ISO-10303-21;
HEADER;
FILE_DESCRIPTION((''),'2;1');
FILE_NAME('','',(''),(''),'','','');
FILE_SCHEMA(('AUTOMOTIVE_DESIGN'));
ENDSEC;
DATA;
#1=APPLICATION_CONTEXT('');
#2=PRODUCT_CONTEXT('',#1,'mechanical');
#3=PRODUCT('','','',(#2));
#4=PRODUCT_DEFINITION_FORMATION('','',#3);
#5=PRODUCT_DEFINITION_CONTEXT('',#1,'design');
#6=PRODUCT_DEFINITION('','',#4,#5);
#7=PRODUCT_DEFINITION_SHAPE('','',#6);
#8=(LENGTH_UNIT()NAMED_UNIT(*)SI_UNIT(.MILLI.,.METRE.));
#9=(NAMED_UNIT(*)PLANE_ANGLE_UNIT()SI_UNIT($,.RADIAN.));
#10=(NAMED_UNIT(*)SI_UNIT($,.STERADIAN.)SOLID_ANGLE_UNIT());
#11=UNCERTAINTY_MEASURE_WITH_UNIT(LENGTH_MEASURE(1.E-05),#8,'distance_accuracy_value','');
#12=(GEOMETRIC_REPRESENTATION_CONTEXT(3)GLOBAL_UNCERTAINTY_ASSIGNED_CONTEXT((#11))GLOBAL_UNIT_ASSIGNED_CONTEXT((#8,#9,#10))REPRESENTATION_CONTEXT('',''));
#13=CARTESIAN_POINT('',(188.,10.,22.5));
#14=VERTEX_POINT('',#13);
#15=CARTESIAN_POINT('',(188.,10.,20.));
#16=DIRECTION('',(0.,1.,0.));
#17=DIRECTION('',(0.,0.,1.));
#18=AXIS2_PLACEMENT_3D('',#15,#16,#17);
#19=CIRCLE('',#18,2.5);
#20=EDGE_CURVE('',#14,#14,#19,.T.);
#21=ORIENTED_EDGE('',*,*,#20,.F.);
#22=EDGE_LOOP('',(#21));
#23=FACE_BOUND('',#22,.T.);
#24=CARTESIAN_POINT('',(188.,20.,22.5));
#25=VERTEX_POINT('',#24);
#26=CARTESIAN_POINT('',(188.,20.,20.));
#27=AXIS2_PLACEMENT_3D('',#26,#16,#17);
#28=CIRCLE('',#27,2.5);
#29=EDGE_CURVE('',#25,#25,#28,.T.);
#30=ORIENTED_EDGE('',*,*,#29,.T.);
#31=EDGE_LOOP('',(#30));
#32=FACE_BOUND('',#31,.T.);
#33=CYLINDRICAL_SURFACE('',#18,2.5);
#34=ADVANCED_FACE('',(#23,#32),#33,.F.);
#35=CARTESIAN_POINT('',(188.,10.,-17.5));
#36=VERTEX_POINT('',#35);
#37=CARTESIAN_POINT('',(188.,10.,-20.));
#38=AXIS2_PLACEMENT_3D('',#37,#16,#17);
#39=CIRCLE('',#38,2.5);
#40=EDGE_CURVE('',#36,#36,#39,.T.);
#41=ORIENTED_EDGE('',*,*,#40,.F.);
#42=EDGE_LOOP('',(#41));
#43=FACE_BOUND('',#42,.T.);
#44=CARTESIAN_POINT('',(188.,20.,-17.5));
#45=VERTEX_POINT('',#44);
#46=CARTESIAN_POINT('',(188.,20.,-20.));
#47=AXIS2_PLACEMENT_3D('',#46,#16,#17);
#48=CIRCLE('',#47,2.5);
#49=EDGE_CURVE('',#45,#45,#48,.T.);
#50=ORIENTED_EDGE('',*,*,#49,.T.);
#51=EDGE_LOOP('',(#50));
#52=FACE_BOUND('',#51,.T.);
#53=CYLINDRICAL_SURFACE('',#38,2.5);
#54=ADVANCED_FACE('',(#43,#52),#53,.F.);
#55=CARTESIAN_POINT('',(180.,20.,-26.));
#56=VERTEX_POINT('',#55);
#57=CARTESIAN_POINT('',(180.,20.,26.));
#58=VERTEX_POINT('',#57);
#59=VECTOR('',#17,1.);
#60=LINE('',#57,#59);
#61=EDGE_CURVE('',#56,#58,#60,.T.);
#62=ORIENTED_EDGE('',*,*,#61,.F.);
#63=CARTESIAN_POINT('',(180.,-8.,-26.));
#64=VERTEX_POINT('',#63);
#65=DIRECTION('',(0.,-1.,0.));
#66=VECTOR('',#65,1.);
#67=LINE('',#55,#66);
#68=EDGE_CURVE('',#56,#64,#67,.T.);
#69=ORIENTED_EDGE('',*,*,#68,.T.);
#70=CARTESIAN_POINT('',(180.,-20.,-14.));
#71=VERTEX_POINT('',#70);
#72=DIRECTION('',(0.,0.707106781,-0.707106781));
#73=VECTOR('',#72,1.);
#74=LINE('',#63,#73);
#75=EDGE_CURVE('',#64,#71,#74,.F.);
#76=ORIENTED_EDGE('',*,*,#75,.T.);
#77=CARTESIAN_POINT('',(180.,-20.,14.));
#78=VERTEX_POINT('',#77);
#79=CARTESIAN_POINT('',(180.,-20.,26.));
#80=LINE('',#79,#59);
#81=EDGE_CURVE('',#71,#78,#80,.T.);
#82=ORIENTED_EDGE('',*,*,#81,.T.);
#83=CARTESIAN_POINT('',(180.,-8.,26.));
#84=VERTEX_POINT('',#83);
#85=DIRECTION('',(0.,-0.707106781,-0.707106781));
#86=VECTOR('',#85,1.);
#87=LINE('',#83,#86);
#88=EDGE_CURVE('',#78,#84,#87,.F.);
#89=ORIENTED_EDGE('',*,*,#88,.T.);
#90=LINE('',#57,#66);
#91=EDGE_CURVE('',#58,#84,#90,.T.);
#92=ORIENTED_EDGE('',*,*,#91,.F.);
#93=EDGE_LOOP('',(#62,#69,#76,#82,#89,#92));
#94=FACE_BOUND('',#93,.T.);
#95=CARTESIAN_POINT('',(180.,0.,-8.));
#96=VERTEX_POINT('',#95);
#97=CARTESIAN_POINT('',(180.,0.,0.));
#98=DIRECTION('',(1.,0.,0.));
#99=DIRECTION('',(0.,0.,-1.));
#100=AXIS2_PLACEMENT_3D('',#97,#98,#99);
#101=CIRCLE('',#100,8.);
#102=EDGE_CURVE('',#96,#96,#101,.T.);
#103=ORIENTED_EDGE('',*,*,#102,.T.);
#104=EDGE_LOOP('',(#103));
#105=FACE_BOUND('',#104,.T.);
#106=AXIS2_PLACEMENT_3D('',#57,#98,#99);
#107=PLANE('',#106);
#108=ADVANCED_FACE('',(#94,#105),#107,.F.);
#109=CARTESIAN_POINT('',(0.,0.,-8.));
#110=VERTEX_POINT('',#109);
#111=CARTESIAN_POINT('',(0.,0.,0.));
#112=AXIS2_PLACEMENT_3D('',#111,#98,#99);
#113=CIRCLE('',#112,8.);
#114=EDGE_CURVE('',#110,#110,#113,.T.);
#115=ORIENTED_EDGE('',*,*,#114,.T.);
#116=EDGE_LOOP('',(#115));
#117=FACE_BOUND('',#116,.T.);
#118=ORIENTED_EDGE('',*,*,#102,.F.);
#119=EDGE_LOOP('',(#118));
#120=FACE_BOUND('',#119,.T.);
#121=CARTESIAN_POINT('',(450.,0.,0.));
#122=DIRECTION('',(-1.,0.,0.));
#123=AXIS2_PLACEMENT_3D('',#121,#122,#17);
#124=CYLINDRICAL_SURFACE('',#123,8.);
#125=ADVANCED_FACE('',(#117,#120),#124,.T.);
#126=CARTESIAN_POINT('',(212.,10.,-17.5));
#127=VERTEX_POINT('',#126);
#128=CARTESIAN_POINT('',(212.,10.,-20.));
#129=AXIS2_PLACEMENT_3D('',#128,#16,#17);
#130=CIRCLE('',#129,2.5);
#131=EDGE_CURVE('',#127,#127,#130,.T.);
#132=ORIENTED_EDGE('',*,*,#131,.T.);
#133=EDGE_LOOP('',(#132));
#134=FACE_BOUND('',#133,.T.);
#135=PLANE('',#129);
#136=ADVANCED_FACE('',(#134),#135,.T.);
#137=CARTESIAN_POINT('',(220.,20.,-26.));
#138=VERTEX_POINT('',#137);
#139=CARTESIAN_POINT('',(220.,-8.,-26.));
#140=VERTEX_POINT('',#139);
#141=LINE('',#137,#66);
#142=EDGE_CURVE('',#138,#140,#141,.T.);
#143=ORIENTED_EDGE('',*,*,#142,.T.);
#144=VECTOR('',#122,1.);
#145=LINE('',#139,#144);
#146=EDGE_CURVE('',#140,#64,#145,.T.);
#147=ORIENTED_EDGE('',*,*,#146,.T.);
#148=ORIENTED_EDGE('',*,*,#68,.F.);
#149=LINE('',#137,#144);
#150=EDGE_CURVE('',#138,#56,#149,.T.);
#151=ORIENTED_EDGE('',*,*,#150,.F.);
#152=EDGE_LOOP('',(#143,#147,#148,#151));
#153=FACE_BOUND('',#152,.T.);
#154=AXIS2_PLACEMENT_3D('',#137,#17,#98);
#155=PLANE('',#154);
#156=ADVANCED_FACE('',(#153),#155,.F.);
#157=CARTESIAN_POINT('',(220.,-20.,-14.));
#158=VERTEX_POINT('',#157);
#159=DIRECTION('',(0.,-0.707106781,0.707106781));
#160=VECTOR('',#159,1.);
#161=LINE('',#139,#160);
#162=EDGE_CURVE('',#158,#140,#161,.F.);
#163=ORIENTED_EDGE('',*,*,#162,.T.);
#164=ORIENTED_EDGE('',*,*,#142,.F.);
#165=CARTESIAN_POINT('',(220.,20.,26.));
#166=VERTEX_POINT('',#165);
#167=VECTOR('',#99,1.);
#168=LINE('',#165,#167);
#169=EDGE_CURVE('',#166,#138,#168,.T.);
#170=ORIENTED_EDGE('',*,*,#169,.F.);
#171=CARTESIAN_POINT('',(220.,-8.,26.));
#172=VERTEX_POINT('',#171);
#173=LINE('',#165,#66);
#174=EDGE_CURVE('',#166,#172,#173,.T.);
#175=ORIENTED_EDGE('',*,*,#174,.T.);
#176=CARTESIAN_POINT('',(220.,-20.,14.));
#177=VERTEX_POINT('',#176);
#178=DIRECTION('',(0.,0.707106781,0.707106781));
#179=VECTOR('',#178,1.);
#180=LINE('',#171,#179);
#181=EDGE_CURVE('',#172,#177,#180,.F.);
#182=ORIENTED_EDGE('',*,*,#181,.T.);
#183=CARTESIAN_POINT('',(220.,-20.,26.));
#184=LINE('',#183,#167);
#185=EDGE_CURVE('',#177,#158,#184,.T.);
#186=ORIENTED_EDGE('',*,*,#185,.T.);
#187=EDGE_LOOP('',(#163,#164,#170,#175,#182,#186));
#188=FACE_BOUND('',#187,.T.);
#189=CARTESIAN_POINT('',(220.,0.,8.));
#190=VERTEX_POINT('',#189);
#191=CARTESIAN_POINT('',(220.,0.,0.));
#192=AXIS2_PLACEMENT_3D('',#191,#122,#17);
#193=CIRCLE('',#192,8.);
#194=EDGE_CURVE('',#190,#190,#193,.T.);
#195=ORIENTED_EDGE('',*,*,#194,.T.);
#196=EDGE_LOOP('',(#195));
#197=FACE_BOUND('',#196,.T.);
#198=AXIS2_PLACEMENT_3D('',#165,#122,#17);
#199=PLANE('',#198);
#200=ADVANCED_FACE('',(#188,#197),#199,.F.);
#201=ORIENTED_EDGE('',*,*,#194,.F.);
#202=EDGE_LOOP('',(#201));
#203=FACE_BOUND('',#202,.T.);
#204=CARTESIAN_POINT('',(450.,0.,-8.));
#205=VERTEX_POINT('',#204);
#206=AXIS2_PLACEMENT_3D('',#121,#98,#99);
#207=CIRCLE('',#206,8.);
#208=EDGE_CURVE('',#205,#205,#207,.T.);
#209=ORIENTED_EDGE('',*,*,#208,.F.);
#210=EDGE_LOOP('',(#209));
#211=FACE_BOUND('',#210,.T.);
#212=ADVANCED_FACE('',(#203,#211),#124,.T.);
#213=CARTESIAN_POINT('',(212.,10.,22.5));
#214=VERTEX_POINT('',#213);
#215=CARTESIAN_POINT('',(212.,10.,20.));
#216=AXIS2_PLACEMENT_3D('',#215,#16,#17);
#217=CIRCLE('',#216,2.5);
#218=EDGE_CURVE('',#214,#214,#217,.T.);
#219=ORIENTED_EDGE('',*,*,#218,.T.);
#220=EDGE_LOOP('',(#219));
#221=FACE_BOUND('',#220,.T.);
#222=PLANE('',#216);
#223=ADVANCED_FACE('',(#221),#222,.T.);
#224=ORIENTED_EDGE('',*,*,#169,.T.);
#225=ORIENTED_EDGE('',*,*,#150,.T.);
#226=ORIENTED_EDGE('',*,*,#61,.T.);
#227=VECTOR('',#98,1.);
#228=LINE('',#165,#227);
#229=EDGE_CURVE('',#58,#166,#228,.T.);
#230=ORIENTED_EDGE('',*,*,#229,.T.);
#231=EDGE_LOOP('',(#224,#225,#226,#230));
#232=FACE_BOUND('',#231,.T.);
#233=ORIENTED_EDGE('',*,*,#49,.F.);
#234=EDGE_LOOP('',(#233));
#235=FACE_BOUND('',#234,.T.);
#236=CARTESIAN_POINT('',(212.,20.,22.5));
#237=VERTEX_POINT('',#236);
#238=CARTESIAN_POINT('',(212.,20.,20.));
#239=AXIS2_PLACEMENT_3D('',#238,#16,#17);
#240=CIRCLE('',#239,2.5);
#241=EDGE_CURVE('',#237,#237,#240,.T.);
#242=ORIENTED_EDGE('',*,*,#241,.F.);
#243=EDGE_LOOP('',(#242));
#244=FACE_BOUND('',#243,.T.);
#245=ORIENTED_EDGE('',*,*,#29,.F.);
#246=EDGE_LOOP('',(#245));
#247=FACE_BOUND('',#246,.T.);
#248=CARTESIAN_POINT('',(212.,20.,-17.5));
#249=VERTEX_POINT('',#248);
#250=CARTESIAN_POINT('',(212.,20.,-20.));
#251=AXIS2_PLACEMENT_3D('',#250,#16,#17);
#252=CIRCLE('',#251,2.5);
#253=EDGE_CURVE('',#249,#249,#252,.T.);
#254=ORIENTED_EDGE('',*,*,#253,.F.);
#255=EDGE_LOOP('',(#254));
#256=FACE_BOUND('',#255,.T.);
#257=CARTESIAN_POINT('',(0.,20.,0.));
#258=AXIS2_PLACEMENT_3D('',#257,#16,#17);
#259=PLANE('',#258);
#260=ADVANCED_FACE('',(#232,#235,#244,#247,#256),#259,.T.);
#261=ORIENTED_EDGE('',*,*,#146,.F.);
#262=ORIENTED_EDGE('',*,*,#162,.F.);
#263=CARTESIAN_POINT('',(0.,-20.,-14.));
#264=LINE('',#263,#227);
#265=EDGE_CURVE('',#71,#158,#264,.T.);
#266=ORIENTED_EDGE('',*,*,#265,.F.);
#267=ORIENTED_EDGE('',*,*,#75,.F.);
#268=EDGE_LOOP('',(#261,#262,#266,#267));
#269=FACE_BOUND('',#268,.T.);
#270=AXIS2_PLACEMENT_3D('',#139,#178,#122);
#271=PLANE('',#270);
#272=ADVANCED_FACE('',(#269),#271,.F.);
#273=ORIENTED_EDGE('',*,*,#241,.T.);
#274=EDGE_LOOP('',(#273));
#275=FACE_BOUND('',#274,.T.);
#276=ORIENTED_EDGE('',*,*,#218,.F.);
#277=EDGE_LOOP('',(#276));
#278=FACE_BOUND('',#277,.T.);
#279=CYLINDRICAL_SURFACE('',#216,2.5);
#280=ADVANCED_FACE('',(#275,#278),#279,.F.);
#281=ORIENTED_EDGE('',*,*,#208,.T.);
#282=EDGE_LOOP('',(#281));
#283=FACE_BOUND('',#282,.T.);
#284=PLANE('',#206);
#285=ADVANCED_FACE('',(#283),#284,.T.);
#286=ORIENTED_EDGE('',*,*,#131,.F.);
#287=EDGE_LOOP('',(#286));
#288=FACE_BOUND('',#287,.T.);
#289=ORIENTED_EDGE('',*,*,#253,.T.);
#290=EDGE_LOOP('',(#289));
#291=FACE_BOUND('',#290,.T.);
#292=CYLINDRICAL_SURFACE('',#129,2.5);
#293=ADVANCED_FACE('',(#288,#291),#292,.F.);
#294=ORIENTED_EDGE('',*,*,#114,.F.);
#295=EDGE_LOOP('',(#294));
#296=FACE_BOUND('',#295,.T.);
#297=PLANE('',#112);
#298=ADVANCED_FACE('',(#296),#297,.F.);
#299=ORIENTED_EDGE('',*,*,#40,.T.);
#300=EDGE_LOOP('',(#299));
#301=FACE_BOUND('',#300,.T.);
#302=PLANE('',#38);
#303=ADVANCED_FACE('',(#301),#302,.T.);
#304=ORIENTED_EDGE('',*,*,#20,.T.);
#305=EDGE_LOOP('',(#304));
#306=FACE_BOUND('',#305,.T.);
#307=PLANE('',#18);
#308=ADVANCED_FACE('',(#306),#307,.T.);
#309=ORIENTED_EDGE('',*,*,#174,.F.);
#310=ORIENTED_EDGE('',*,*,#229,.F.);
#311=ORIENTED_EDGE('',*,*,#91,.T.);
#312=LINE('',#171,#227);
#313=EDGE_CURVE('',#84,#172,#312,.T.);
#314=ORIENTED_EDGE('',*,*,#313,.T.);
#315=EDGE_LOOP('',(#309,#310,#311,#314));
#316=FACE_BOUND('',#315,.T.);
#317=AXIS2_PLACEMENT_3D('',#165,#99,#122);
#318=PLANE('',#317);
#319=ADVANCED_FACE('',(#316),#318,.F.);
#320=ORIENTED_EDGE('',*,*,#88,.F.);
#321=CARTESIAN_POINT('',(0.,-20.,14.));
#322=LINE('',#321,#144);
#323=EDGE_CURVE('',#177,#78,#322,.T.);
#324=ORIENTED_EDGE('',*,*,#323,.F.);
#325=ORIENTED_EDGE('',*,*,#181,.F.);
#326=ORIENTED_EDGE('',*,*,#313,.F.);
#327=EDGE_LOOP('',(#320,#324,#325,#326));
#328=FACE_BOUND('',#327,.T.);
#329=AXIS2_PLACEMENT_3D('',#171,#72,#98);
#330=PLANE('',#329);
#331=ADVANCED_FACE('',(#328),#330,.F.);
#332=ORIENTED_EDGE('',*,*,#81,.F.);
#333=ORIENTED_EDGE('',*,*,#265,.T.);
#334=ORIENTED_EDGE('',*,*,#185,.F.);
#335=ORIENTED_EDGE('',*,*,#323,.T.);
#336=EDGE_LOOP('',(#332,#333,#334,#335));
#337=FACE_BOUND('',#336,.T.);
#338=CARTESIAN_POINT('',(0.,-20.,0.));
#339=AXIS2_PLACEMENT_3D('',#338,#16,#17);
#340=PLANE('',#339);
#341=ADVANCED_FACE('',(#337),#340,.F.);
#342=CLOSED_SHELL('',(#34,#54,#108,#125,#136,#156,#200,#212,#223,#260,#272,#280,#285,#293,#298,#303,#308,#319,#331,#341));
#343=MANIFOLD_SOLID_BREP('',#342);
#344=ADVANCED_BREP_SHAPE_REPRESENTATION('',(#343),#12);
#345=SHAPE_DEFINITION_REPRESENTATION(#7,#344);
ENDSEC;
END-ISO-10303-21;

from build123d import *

# Parameters (mm, degrees)
SKETCH1_R           = 8
BOSS_EXTRUDE1_DEPTH = 450
SKETCH2_W           = 40
SKETCH2_H           = 52
BOSS_EXTRUDE2_DEPTH = 20
CHAMFER1_SIZE       = 12
SKETCH3_R           = 2.5
CUT_EXTRUDE1_DEPTH  = 10


with BuildPart() as part:
    # Sketch1 → Boss-Extrude1 (new body)
    with BuildSketch(Plane(origin=(0, 0, 0), x_dir=(0, 0, -1), z_dir=(1, 0, 0))):
        Circle(SKETCH1_R)
    extrude(amount=BOSS_EXTRUDE1_DEPTH)

    # Sketch2 → Boss-Extrude2 (add, symmetric)
    with BuildSketch(Plane(origin=(0, 0, 0), x_dir=(1, 0, 0), z_dir=(0, 1, 0))):
        with Locations((200, 0)):
            Rectangle(SKETCH2_W, SKETCH2_H)
    extrude(amount=BOSS_EXTRUDE2_DEPTH, both=True)

    # Chamfer1
    chamfer1_edges = [part.edges().sort_by_distance(p)[0] for p in [
        (200, -20, 26),
        (200, -20, -26),
    ]]
    chamfer(chamfer1_edges, length=CHAMFER1_SIZE)

    # Sketch3 → Cut-Extrude1 (cut)
    with BuildSketch(Plane(origin=(0, 20, 0), x_dir=(1, 0, 0), z_dir=(0, 1, 0))):
        with Locations((188, 20)):
            Circle(SKETCH3_R)
        with Locations((212, 20)):
            Circle(SKETCH3_R)
        with Locations((188, -20)):
            Circle(SKETCH3_R)
        with Locations((212, -20)):
            Circle(SKETCH3_R)
    extrude(amount=-CUT_EXTRUDE1_DEPTH, mode=Mode.SUBTRACT)


solid = part.part
